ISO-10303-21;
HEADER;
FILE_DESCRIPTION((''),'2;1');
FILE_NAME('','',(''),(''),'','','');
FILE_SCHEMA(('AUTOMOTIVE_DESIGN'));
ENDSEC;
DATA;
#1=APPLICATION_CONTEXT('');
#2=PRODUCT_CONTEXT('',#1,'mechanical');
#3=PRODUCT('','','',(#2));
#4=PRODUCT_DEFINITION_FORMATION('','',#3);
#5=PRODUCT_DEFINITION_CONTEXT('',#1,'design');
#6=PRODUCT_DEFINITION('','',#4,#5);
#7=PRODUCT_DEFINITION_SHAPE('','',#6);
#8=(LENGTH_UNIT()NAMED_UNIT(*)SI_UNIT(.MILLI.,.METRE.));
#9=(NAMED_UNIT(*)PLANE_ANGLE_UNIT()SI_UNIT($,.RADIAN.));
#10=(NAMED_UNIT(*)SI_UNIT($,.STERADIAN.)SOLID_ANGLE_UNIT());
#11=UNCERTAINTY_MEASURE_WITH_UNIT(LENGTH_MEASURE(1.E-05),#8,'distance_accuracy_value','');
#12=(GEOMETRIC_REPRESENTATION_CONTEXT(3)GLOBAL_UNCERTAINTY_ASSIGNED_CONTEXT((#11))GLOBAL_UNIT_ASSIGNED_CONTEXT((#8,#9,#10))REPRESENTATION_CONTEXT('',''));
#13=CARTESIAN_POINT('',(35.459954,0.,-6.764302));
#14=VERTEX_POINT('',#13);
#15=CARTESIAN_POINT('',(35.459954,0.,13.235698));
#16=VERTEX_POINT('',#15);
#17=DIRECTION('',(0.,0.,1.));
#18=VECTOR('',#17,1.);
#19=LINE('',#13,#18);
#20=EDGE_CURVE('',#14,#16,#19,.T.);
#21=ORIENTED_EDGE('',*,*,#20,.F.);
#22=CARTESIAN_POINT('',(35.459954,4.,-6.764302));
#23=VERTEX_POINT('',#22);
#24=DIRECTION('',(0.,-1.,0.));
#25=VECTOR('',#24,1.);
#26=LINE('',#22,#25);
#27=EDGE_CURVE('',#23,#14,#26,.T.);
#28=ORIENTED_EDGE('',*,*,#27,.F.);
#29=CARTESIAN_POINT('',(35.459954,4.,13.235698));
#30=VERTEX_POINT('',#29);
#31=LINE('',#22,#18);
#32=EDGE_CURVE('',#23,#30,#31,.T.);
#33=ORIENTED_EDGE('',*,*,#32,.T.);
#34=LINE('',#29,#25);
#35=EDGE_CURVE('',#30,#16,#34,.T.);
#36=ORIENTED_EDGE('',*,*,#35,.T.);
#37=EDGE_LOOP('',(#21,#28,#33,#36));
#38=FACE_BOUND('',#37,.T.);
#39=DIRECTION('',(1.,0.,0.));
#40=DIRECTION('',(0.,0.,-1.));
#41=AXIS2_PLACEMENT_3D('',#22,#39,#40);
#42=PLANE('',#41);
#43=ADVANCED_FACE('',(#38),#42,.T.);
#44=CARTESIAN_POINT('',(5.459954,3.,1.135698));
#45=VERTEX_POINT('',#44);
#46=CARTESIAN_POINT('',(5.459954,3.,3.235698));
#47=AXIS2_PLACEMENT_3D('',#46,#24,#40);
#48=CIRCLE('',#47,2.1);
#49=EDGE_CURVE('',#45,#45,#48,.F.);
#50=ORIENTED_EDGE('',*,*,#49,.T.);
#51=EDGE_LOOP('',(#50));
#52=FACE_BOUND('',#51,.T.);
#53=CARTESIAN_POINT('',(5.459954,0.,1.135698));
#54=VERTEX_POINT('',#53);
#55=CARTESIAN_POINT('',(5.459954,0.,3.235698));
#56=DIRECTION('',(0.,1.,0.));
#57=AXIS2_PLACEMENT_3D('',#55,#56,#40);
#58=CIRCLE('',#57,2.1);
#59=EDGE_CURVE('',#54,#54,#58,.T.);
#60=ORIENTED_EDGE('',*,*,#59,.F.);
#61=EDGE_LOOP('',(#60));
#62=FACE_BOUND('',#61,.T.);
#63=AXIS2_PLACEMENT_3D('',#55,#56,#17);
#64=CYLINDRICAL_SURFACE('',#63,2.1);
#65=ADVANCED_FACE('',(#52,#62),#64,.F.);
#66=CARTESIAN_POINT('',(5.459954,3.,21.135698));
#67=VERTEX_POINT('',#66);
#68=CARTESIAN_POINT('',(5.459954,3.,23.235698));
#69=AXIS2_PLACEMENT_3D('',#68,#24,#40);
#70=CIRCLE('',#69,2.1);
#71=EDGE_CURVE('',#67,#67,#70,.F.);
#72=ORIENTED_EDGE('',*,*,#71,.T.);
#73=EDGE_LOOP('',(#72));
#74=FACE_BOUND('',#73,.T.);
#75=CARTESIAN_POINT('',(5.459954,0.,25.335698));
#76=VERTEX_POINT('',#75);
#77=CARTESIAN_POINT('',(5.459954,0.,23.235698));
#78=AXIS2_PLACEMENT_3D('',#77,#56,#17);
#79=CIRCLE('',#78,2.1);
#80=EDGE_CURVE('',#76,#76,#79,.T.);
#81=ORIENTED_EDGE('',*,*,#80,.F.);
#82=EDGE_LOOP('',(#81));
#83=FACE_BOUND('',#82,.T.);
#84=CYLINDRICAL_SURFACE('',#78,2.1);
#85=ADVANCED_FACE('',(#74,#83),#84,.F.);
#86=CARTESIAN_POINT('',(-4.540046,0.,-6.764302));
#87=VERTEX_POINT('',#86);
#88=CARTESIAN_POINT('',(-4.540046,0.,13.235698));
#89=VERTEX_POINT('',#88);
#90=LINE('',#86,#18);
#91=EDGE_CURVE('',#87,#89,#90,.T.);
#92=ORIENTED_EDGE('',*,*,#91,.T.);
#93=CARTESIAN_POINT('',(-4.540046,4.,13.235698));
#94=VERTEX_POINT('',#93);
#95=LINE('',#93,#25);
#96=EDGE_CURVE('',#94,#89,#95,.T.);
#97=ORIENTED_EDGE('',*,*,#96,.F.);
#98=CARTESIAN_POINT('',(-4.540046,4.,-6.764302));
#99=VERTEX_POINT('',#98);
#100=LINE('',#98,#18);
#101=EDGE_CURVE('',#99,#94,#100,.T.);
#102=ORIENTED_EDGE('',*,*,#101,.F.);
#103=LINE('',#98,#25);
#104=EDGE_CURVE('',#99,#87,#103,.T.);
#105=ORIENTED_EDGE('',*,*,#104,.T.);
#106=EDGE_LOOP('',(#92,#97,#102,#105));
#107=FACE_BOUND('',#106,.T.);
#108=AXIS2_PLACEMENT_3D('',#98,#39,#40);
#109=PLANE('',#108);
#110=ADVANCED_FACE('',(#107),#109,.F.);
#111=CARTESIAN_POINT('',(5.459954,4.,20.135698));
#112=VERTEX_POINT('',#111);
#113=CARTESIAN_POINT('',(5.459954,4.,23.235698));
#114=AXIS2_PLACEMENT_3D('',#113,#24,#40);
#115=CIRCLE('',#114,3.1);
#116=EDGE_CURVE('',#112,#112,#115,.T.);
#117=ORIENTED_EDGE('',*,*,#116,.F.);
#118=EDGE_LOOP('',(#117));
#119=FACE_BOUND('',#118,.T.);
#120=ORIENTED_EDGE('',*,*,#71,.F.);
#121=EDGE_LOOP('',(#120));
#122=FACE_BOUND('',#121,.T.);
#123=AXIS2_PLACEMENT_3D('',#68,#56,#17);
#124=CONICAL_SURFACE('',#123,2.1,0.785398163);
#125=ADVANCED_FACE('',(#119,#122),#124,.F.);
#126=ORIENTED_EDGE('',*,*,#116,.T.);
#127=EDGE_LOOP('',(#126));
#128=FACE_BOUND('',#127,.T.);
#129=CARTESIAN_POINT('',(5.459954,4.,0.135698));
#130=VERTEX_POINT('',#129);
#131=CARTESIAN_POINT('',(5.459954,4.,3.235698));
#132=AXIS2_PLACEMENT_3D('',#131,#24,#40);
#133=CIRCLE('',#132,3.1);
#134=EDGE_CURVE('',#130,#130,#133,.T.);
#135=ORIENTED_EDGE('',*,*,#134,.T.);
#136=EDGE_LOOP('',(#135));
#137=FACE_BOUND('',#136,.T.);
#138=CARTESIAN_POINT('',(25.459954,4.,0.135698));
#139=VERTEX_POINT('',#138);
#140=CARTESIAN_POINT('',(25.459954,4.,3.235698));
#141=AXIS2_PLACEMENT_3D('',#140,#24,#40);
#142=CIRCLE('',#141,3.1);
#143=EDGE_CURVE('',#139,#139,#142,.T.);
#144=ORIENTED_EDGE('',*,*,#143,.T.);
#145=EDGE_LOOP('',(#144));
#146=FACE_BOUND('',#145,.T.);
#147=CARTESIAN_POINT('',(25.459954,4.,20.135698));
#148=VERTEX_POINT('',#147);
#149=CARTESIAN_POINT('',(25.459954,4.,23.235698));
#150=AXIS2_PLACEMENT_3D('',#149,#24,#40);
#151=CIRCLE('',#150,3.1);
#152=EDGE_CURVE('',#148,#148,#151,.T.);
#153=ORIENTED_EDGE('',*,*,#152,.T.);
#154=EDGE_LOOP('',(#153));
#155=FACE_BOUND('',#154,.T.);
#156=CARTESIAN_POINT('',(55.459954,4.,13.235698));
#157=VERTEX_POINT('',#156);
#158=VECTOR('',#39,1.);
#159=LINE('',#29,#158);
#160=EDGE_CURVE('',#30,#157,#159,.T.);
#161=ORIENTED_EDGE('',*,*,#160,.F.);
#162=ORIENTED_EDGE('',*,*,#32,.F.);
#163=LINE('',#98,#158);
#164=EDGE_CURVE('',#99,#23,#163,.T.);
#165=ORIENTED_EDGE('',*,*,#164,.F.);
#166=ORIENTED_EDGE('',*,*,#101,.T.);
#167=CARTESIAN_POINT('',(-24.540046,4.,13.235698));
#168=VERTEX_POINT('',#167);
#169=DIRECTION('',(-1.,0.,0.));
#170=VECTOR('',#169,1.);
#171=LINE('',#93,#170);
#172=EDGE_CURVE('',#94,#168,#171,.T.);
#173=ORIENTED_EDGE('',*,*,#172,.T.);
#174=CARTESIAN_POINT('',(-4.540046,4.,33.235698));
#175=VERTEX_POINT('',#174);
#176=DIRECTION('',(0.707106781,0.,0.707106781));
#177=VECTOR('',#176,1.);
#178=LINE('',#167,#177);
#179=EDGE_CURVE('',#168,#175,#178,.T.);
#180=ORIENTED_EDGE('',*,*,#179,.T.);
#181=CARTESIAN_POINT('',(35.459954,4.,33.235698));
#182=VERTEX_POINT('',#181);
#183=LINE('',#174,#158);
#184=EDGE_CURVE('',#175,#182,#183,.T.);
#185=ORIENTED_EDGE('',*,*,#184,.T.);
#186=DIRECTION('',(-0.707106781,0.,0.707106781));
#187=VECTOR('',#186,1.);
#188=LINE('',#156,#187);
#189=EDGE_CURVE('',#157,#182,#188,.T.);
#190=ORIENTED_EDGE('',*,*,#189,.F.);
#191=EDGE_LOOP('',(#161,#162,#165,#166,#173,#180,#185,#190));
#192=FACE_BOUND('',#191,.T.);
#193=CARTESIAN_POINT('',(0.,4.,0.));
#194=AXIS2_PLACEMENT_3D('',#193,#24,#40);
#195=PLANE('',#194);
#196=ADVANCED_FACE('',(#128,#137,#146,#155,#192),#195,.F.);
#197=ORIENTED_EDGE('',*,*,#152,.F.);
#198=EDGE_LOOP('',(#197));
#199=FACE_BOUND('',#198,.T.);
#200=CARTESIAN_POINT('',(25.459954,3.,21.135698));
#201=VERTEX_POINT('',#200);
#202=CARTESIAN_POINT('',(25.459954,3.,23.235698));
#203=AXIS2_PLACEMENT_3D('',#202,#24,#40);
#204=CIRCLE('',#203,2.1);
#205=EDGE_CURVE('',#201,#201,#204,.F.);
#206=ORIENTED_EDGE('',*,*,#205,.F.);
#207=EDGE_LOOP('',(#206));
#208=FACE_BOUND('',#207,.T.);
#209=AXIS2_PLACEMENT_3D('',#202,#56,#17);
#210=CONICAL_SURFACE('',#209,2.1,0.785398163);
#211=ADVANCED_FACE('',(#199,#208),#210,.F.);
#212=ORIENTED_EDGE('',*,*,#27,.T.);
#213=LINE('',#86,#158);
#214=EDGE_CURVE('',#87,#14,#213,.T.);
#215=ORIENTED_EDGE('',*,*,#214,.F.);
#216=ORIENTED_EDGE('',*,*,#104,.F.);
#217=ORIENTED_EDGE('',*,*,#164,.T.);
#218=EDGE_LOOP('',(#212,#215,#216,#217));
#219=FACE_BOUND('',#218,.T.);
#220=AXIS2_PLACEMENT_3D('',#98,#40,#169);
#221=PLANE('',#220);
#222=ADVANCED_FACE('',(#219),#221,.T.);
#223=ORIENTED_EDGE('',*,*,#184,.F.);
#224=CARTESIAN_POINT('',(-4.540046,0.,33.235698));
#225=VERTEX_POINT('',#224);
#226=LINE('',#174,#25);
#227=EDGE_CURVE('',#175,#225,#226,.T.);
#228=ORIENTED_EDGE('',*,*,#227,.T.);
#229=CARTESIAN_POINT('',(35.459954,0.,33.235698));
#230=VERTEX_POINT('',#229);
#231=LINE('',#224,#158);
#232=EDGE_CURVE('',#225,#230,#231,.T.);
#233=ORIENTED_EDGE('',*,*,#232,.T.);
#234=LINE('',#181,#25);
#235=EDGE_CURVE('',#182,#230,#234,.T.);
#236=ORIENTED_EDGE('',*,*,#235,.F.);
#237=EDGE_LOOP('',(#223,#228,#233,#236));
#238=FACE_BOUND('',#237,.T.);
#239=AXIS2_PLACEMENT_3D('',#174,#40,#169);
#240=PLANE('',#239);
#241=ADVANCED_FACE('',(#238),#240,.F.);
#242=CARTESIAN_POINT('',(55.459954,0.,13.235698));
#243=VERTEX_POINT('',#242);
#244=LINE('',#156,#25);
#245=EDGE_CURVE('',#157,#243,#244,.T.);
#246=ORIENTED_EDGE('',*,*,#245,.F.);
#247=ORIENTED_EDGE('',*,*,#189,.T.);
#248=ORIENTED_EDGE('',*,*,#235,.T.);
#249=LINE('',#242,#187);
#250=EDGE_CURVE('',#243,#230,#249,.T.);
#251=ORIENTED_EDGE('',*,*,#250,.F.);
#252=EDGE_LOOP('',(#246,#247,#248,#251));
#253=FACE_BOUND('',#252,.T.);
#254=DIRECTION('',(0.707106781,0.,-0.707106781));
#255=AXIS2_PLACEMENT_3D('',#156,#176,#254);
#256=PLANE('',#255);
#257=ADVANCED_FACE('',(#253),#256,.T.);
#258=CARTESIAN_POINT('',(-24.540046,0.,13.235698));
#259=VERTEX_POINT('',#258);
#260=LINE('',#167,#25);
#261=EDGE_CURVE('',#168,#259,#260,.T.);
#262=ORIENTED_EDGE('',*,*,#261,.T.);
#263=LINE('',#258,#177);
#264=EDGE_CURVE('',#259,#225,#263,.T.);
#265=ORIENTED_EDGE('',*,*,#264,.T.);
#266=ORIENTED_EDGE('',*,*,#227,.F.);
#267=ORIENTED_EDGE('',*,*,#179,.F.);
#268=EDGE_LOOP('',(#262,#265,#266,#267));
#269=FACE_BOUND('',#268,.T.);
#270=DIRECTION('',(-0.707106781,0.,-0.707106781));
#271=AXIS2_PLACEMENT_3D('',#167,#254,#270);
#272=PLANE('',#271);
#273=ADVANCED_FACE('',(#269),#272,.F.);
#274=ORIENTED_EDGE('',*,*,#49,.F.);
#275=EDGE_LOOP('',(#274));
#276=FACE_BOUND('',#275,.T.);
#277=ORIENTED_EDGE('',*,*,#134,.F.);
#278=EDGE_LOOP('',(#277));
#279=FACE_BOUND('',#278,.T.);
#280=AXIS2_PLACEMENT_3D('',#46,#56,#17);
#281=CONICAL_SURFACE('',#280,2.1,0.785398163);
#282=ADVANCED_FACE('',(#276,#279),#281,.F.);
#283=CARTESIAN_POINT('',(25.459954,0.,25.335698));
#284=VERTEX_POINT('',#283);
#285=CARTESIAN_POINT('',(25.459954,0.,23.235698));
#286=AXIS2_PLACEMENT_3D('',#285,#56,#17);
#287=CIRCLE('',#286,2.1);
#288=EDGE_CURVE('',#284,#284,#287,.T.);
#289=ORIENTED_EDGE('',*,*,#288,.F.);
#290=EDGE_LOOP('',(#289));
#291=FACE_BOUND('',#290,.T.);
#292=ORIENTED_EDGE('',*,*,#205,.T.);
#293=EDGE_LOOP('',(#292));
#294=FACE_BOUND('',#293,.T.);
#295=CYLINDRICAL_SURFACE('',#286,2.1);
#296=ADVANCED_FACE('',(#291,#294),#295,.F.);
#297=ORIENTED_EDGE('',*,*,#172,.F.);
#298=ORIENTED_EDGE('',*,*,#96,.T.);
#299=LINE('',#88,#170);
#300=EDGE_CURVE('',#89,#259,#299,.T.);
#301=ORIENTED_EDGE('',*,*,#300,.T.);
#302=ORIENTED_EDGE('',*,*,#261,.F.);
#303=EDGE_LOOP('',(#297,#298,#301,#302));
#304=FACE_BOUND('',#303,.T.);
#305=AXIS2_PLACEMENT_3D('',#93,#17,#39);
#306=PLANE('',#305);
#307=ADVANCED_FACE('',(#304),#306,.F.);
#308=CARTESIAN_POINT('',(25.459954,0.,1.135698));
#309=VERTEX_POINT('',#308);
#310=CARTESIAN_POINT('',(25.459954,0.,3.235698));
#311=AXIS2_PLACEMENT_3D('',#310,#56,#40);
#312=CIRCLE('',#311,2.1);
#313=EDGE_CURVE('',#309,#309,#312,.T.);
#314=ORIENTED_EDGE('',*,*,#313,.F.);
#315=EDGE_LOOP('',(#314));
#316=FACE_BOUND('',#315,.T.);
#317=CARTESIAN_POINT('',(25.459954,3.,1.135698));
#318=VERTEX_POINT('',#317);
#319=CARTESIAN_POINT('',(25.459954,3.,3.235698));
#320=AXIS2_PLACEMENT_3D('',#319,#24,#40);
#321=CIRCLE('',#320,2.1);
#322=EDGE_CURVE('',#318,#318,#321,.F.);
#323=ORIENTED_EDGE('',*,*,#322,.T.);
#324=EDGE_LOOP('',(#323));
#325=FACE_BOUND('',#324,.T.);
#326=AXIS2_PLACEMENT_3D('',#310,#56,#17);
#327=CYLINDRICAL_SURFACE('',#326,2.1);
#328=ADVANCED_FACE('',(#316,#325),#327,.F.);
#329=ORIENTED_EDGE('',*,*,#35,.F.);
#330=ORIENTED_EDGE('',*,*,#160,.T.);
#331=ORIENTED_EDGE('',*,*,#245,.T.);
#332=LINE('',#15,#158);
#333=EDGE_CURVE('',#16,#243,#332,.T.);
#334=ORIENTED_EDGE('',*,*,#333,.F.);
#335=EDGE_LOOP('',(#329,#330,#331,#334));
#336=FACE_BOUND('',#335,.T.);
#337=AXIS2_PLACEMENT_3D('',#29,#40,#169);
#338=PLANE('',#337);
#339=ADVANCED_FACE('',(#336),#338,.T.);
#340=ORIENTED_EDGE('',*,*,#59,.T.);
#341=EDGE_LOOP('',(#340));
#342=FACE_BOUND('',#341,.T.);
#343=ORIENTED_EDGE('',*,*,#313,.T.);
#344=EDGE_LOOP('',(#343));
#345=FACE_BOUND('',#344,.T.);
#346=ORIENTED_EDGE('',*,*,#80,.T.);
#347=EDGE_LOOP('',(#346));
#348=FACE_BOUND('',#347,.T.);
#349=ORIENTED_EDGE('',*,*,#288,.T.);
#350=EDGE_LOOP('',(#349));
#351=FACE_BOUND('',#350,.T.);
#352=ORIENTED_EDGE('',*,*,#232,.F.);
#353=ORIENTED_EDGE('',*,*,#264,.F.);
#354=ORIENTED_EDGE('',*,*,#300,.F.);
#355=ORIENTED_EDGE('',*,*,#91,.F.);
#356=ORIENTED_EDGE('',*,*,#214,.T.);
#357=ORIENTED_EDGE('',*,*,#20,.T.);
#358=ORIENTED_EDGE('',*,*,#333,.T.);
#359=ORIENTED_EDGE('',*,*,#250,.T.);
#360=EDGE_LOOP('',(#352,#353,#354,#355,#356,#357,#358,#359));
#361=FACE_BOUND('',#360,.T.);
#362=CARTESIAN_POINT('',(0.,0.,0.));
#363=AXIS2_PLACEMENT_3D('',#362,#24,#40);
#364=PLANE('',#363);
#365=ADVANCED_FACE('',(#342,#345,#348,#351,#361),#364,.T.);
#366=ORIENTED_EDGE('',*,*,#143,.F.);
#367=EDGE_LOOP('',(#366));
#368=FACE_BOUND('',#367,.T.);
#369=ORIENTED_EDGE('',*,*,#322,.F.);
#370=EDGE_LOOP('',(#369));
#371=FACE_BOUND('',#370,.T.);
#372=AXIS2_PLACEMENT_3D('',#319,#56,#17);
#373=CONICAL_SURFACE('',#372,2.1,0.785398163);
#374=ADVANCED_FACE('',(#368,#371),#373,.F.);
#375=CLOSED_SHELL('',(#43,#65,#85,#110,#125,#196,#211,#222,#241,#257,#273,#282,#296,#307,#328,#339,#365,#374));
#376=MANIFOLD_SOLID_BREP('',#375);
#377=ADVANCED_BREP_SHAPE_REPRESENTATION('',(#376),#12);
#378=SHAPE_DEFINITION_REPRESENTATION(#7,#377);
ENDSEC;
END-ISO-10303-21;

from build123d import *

# Parameters (mm, degrees)
BOSS_EXTRUDE1_DEPTH = 4
SKETCH2_R           = 2.1
CUT_EXTRUDE1_DEPTH  = 4
CHAMFER1_SIZE       = 1


with BuildPart() as part:
    # Sketch1 → Boss-Extrude1 (new body)
    with BuildSketch(Plane(origin=(0, 0, 0), x_dir=(1, 0, 0), z_dir=(0, 1, 0))):
        Polygon((-4.540045767, -33.235697941), (35.459954233, -33.235697941), (55.459954233, -13.235697941), (35.459954233, -13.235697941), (35.459954233, 6.764302059), (-4.540045767, 6.764302059), (-4.540045767, -13.235697941), (-24.540045767, -13.235697941), align=None)
    extrude(amount=BOSS_EXTRUDE1_DEPTH)

    # Sketch2 → Cut-Extrude1 (cut)
    with BuildSketch(Plane(origin=(0, 4, 0), x_dir=(1, 0, 0), z_dir=(0, 1, 0))):
        with Locations((5.459954233, -23.235697941)):
            Circle(SKETCH2_R)
        with Locations((25.459954233, -23.235697941)):
            Circle(SKETCH2_R)
        with Locations((25.459954233, -3.235697941)):
            Circle(SKETCH2_R)
        with Locations((5.459954233, -3.235697941)):
            Circle(SKETCH2_R)
    extrude(amount=-CUT_EXTRUDE1_DEPTH, mode=Mode.SUBTRACT)

    # Chamfer1
    chamfer1_edges = [part.edges().sort_by_distance(p)[0] for p in [
        (3.359954233, 4, 3.235697941),
        (23.359954233, 4, 3.235697941),
        (23.359954233, 4, 23.235697941),
        (3.359954233, 4, 23.235697941),
    ]]
    chamfer(chamfer1_edges, length=CHAMFER1_SIZE)


solid = part.part
